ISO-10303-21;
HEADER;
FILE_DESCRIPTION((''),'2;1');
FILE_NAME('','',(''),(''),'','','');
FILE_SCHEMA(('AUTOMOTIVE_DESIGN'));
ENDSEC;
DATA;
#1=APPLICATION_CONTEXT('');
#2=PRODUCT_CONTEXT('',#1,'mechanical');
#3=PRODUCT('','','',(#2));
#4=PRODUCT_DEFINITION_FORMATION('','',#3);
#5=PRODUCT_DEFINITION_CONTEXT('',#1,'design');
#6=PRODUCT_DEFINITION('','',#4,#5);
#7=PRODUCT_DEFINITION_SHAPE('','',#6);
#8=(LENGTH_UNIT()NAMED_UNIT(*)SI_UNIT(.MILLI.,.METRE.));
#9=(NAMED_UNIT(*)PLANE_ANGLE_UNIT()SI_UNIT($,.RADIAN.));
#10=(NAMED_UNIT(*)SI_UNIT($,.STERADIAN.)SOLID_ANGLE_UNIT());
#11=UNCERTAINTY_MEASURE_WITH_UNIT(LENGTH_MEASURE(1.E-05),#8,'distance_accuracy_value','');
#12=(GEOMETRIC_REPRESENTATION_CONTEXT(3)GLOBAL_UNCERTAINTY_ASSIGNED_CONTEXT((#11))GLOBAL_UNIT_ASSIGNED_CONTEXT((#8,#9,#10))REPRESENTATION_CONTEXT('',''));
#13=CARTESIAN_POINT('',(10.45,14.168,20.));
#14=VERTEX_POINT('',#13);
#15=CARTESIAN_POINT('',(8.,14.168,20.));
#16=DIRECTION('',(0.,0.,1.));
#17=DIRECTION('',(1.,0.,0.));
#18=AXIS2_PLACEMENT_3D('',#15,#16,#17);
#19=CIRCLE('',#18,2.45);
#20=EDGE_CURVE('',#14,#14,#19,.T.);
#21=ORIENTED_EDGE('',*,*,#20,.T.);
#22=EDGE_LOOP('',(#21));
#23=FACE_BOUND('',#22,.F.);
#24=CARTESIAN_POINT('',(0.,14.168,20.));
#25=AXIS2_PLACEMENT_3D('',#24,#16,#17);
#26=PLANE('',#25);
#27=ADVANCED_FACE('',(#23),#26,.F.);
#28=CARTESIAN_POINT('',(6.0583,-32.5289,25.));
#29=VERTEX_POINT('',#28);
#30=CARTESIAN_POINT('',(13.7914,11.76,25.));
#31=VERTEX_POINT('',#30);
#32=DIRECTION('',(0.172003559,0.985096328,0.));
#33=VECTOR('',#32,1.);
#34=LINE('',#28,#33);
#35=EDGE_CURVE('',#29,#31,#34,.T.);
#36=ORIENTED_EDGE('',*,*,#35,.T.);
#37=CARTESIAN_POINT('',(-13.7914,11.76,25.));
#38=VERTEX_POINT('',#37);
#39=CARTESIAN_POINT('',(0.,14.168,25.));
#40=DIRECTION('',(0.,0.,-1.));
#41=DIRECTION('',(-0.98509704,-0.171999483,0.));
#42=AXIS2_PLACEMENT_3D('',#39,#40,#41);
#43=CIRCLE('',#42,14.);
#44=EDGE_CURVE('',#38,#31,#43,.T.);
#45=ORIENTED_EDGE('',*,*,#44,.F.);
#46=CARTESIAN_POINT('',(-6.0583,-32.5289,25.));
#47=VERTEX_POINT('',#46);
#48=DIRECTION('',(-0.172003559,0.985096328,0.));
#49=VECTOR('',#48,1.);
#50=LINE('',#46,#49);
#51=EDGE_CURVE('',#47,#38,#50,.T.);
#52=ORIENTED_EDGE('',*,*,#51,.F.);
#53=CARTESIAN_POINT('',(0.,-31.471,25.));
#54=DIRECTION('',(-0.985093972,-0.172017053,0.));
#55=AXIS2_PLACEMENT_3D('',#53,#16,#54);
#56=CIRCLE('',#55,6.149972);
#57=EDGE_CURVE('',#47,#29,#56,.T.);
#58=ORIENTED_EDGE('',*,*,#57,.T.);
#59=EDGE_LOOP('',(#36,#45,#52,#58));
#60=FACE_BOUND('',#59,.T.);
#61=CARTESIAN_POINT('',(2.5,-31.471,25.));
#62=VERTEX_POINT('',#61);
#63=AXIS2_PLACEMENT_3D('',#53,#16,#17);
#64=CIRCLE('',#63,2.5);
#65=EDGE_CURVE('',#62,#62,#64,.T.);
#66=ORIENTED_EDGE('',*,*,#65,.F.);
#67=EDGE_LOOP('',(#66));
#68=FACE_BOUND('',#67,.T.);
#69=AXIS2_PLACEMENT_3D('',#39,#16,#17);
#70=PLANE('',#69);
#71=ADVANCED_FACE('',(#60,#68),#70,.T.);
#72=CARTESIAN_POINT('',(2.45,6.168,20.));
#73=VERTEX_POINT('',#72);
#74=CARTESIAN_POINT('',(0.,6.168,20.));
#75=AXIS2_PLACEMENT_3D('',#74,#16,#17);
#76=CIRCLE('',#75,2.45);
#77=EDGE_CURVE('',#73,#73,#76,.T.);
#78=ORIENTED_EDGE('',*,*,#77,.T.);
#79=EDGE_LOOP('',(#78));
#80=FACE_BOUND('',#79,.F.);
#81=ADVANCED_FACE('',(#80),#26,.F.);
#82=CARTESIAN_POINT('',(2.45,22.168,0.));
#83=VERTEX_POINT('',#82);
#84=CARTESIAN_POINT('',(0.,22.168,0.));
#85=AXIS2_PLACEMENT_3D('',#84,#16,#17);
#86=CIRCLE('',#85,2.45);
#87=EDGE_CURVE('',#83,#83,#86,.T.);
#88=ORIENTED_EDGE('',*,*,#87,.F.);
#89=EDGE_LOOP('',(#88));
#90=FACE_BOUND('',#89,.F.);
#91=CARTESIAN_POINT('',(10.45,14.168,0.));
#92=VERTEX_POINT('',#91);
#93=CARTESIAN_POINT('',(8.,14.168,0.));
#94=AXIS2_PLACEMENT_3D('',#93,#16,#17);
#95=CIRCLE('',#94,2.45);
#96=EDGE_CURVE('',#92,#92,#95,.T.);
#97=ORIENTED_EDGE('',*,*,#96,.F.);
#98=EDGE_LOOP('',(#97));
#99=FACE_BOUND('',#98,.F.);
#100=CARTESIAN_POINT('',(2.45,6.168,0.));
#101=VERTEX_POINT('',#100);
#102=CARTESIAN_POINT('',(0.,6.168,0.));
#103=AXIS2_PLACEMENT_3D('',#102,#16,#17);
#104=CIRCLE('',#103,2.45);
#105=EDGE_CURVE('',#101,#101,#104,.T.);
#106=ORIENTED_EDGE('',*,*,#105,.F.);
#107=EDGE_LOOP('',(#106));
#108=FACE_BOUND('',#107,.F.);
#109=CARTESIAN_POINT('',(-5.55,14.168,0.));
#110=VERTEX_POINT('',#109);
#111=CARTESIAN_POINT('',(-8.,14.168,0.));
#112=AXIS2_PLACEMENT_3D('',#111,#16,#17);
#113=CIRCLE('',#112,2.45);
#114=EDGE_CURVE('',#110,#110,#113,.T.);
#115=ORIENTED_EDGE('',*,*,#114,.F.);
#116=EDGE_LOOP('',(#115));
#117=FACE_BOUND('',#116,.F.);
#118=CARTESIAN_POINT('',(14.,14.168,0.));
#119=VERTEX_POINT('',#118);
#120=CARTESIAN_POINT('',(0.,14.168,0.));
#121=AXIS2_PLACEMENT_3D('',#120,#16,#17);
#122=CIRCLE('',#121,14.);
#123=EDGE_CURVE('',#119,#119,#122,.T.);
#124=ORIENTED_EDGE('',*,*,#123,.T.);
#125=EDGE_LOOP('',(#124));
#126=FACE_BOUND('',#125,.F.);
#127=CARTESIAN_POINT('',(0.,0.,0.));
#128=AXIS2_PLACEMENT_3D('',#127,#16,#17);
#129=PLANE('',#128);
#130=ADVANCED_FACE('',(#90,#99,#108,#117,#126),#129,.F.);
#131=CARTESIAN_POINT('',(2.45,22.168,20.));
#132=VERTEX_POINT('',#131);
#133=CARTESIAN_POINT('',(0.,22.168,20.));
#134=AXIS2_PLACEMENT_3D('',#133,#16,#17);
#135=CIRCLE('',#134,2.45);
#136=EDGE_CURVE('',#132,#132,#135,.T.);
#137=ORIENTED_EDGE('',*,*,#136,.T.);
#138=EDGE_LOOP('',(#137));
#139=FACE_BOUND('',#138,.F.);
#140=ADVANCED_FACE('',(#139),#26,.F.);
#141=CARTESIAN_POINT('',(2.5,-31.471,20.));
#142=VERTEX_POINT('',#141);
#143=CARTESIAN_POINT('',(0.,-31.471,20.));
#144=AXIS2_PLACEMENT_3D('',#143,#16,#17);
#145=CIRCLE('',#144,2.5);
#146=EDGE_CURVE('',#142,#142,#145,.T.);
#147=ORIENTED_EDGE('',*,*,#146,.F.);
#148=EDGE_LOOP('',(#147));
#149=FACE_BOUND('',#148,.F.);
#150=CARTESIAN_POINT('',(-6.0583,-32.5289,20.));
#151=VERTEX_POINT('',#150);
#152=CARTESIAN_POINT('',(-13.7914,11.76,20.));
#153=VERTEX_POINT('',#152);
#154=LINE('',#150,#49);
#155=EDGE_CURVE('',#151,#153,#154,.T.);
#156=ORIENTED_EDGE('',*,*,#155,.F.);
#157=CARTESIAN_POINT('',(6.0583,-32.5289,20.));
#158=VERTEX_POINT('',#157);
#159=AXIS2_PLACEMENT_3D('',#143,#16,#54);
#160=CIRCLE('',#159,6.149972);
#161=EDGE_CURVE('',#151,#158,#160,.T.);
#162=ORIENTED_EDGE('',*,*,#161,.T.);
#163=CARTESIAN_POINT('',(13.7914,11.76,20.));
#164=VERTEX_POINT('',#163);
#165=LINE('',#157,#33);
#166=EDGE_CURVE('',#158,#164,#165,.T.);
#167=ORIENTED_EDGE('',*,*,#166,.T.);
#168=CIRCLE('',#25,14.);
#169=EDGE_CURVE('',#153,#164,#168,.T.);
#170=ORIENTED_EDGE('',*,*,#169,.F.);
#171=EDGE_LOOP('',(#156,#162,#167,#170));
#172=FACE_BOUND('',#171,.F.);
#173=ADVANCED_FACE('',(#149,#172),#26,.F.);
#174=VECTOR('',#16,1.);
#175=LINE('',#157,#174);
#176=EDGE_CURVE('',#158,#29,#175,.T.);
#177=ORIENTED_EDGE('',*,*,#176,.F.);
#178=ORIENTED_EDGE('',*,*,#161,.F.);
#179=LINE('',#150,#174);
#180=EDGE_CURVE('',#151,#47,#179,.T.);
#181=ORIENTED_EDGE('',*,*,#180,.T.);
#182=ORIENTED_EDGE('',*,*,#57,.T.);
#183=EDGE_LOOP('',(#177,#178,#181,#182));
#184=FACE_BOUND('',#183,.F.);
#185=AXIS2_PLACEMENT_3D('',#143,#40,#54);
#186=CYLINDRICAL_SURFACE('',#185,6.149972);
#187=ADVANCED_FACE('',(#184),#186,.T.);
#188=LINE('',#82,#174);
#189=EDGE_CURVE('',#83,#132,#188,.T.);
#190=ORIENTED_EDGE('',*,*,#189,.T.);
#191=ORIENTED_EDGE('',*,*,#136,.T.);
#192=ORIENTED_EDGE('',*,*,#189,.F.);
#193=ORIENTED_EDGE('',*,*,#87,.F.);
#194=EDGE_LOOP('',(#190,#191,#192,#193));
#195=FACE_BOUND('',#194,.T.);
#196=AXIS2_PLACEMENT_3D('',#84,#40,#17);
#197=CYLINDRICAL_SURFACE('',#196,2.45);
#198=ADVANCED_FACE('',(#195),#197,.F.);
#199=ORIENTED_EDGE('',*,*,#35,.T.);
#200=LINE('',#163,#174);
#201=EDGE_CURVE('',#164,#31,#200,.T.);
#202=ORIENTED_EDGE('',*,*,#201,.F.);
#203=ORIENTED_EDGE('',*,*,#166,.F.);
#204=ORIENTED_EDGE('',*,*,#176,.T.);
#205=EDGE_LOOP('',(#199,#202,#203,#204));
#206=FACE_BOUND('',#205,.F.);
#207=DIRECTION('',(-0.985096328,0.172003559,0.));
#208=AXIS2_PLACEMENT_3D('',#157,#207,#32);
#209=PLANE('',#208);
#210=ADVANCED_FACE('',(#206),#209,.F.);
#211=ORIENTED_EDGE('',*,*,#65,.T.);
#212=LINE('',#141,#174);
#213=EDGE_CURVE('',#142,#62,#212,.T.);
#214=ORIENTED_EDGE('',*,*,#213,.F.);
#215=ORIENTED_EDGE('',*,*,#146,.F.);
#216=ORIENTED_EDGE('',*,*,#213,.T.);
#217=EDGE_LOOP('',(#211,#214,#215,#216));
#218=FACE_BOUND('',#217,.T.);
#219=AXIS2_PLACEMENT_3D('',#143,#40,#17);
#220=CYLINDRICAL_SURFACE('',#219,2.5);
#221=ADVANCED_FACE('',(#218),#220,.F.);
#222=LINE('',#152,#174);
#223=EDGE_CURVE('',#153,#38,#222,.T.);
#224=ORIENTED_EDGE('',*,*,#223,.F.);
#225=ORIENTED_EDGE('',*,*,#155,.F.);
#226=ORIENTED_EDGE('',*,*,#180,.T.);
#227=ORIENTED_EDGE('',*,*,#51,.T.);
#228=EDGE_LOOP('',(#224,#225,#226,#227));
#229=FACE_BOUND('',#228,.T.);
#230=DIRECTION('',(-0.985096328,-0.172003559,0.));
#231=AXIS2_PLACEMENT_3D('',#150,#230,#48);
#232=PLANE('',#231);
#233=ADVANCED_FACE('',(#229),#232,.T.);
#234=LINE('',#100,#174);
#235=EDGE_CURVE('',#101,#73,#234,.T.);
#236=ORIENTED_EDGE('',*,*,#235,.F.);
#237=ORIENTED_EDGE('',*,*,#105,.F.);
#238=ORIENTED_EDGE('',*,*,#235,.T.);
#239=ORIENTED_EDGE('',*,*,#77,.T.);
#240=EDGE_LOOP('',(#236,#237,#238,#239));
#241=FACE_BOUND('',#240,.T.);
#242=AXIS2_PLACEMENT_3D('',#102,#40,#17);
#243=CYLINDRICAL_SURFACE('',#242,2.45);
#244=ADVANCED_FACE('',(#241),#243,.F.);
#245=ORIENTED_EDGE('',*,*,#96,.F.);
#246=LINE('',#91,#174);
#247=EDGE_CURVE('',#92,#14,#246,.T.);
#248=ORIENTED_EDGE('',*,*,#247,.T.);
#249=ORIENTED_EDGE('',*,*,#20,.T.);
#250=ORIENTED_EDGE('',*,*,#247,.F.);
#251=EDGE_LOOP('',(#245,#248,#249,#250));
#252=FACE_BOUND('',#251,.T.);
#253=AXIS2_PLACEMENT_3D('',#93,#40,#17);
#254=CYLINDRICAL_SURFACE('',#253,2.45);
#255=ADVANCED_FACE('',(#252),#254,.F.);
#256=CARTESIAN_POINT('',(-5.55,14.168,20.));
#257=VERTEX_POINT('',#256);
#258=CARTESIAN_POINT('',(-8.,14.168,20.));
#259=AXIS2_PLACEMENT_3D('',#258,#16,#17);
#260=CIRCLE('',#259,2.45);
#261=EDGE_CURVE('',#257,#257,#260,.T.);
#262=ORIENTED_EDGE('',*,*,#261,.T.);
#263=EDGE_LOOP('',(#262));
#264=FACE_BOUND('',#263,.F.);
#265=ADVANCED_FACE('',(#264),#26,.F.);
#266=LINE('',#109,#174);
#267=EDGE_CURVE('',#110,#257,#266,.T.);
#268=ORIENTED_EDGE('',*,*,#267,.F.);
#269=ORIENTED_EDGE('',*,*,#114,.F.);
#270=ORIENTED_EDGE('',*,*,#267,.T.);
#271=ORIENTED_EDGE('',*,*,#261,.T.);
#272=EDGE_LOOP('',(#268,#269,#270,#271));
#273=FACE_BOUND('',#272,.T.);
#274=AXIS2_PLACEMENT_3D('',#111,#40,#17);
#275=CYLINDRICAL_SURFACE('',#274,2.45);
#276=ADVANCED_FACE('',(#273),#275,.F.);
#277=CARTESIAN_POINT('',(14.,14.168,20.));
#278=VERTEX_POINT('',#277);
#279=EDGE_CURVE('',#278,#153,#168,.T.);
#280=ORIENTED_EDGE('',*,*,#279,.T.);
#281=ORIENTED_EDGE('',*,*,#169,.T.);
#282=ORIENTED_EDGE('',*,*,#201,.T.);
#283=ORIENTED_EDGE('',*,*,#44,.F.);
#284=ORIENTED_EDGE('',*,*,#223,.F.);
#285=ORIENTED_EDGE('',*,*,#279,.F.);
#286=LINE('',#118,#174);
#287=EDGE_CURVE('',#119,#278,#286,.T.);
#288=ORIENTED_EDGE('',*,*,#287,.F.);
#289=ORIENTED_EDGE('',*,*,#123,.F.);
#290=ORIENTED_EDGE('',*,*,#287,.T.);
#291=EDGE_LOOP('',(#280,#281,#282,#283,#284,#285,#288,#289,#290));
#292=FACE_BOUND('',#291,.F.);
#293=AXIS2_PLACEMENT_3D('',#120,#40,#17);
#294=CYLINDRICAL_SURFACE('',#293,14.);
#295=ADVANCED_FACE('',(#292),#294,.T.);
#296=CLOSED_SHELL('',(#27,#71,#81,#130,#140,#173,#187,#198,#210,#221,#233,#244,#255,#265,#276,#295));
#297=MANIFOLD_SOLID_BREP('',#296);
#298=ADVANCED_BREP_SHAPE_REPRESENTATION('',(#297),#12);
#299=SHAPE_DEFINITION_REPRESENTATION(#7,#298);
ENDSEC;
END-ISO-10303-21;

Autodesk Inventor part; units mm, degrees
ref_plane "YZ Plane" through (0, 0, 0) normal (1, 0, 0) x (0, 1, 0)
ref_plane "XZ Plane" through (0, 0, 0) normal (0, 1, 0) x (-1, 0, 0)
ref_plane "XY Plane" through (0, 0, 0) normal (0, 0, 1) x (1, 0, 0)
ref_plane "Work Plane1" through (0, 0, 0) normal (0, 0, 1) x (1, 0, 0)
sketch "Sketch1" plane through (0, 0, 0) normal (0, 0, 1) x (1, 0, 0)
  circle A0 centre (0, 14.168) radius 14 projected
  circle A1 centre (8, 14.168) radius 2.45
  circle A2 centre (-8, 14.168) radius 2.45
  circle A3 centre (0, 14.168) radius 14
  circle A4 centre (0, 6.168) radius 2.45
  circle A5 centre (0, 22.168) radius 2.45
  point P0 (0, 0)
  dimension "d0" = 4.9
  dimension "d1" = 4.9
  dimension "d2" = 8
  dimension "d3" = 8
  dimension "d9" = 4.9
  dimension "d10" = 4.9
  dimension "d11" = 8
  dimension "d12" = 8
extrude "Extrusion1" add sketch "Sketch1" along normal blind 20
sketch "Sketch2" plane through (0, 14.168, 20) normal (0, 0, 1) x (1, 0, 0)
  circle A0 centre (-8, 0) radius 2.45 projected
  circle A1 centre (8, 0) radius 2.45 projected
  circle A2 centre (0, 0) radius 14 projected
  circle A3 centre (0, -45.639) radius 6.15 construction
  circle A4 centre (0, -45.639) radius 2.5
  line L0 (6.0583, -46.6969) -> (13.7914, -2.408)
  line L1 (-6.0583, -46.6969) -> (-13.7914, -2.408)
  circle A5 centre (0, 0) radius 14 projected
  arc A6 (-6.0583, -46.6969) -> (6.0583, -46.6969) centre (0, -45.639) ccw
  point P0 (0, -14.168)
  dimension "d6" = 5
extrude "Extrusion2" add sketch "Sketch2" along normal blind 5 contours A0 | A1 | A2 | A2 L0 A6 L1
properties part number "20_Cube_Insert_Z-focus_Single_LED_arm"
